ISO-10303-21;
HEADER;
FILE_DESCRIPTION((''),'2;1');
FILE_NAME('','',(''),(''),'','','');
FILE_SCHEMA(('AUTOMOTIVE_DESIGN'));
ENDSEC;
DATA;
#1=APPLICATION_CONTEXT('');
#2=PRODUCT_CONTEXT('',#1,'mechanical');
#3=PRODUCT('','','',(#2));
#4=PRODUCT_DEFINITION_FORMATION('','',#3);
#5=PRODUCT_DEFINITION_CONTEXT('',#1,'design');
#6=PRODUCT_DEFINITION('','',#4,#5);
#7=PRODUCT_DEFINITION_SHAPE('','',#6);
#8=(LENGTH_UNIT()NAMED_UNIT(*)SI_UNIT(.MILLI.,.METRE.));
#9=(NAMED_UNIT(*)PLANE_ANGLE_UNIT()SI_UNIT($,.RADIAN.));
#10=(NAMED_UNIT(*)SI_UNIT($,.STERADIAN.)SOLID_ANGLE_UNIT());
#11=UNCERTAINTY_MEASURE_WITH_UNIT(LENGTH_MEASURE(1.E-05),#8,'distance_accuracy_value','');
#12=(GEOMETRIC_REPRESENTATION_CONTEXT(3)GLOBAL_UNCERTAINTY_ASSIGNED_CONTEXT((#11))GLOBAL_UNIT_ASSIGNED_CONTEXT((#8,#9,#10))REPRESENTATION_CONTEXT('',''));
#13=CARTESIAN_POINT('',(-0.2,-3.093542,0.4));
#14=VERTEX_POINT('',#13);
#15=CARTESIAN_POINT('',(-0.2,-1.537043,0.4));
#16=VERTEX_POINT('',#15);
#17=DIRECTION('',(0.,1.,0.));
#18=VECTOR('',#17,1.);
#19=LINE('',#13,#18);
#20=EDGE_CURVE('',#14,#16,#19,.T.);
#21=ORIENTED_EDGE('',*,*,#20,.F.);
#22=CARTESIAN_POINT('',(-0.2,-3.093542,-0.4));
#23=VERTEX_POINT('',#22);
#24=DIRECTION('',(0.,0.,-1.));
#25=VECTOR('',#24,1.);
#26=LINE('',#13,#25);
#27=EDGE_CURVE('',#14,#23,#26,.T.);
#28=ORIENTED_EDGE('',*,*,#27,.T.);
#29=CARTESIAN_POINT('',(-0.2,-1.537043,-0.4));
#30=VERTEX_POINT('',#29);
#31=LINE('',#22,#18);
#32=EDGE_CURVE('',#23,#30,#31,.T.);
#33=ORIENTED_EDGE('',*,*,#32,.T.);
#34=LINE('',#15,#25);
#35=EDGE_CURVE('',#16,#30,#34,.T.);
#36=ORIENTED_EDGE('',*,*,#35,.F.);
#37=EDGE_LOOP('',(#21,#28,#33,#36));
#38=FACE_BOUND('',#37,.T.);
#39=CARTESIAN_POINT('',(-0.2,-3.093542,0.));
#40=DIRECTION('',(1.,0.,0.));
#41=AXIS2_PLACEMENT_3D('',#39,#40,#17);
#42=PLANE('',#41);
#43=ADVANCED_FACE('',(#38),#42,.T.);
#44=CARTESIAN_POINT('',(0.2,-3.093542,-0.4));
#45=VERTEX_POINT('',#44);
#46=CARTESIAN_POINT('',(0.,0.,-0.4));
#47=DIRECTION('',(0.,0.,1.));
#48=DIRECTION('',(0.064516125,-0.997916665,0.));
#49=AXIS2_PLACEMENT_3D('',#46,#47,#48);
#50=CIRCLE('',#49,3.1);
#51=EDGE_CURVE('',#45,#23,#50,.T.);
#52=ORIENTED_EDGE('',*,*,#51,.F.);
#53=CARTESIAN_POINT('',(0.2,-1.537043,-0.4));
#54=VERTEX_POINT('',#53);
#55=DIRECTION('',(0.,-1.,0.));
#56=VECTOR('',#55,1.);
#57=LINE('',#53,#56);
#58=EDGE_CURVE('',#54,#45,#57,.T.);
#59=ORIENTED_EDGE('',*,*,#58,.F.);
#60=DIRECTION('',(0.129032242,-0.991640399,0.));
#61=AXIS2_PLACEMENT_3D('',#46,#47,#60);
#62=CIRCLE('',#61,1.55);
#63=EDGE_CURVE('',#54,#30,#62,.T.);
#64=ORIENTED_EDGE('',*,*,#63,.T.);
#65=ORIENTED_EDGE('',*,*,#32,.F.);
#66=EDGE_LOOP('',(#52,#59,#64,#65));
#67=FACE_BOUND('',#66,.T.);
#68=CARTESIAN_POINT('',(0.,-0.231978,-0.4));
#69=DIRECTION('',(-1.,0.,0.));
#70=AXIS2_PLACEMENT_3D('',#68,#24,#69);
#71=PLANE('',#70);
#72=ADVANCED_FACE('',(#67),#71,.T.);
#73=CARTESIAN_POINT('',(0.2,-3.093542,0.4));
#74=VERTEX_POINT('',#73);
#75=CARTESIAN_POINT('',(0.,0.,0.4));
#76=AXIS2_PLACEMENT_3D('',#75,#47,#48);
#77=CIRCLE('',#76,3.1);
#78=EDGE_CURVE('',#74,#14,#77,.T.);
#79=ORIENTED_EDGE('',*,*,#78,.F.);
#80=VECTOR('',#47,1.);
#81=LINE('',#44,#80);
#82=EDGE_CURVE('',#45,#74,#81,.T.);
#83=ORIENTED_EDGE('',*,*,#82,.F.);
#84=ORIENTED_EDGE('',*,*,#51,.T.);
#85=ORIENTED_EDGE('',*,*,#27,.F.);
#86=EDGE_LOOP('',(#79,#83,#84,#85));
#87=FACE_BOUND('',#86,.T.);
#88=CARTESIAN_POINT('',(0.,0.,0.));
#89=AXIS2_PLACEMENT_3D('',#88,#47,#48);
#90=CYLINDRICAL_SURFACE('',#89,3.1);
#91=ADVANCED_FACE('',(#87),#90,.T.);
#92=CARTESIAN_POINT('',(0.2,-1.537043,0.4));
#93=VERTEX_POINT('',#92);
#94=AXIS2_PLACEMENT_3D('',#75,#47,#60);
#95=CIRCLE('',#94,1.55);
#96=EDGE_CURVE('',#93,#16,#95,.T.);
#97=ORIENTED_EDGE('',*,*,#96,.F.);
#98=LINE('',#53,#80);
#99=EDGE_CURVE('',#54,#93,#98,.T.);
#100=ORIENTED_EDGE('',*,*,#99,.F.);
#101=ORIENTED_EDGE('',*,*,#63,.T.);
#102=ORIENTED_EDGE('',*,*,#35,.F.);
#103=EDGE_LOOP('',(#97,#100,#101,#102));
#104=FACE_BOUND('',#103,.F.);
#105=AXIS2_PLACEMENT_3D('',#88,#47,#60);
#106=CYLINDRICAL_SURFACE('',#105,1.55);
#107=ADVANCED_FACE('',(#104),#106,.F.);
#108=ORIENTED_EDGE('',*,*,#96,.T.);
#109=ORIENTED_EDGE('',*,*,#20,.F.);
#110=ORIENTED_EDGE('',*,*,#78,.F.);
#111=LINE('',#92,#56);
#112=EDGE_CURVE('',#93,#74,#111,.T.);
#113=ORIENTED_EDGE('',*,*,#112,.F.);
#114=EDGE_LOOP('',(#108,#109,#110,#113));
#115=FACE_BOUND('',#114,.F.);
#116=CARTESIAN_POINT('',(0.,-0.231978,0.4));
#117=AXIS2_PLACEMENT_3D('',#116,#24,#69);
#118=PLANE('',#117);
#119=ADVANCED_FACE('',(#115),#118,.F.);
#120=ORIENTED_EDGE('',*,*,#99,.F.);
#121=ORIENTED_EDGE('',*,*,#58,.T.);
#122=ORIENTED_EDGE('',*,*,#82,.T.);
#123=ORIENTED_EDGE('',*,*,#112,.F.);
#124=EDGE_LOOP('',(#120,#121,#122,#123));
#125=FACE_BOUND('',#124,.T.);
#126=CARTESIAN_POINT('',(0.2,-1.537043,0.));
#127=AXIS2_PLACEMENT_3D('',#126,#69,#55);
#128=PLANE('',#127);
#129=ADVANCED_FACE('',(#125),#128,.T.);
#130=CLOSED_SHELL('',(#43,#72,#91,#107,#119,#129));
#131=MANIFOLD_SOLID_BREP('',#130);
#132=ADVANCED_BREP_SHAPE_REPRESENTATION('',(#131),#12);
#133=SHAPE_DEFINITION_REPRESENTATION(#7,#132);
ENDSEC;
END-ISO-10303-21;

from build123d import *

# Parameters (mm, degrees)
PAD_DEPTH = 0.4


with BuildPart() as part:
    # Sketch → Pad (new body, symmetric)
    with BuildSketch(Plane.XY):
        with BuildLine():
            ThreePointArc((0.2, -1.537043), (0, 1.55), (-0.2, -1.537043))
            Line((-0.2, -3.093542), (-0.2, -1.537043))
            ThreePointArc((0.2, -3.093542), (0, 3.1), (-0.2, -3.093542))
            Line((0.2, -1.537043), (0.2, -3.093542))
        make_face()
    extrude(amount=PAD_DEPTH, both=True)


solid = part.part
